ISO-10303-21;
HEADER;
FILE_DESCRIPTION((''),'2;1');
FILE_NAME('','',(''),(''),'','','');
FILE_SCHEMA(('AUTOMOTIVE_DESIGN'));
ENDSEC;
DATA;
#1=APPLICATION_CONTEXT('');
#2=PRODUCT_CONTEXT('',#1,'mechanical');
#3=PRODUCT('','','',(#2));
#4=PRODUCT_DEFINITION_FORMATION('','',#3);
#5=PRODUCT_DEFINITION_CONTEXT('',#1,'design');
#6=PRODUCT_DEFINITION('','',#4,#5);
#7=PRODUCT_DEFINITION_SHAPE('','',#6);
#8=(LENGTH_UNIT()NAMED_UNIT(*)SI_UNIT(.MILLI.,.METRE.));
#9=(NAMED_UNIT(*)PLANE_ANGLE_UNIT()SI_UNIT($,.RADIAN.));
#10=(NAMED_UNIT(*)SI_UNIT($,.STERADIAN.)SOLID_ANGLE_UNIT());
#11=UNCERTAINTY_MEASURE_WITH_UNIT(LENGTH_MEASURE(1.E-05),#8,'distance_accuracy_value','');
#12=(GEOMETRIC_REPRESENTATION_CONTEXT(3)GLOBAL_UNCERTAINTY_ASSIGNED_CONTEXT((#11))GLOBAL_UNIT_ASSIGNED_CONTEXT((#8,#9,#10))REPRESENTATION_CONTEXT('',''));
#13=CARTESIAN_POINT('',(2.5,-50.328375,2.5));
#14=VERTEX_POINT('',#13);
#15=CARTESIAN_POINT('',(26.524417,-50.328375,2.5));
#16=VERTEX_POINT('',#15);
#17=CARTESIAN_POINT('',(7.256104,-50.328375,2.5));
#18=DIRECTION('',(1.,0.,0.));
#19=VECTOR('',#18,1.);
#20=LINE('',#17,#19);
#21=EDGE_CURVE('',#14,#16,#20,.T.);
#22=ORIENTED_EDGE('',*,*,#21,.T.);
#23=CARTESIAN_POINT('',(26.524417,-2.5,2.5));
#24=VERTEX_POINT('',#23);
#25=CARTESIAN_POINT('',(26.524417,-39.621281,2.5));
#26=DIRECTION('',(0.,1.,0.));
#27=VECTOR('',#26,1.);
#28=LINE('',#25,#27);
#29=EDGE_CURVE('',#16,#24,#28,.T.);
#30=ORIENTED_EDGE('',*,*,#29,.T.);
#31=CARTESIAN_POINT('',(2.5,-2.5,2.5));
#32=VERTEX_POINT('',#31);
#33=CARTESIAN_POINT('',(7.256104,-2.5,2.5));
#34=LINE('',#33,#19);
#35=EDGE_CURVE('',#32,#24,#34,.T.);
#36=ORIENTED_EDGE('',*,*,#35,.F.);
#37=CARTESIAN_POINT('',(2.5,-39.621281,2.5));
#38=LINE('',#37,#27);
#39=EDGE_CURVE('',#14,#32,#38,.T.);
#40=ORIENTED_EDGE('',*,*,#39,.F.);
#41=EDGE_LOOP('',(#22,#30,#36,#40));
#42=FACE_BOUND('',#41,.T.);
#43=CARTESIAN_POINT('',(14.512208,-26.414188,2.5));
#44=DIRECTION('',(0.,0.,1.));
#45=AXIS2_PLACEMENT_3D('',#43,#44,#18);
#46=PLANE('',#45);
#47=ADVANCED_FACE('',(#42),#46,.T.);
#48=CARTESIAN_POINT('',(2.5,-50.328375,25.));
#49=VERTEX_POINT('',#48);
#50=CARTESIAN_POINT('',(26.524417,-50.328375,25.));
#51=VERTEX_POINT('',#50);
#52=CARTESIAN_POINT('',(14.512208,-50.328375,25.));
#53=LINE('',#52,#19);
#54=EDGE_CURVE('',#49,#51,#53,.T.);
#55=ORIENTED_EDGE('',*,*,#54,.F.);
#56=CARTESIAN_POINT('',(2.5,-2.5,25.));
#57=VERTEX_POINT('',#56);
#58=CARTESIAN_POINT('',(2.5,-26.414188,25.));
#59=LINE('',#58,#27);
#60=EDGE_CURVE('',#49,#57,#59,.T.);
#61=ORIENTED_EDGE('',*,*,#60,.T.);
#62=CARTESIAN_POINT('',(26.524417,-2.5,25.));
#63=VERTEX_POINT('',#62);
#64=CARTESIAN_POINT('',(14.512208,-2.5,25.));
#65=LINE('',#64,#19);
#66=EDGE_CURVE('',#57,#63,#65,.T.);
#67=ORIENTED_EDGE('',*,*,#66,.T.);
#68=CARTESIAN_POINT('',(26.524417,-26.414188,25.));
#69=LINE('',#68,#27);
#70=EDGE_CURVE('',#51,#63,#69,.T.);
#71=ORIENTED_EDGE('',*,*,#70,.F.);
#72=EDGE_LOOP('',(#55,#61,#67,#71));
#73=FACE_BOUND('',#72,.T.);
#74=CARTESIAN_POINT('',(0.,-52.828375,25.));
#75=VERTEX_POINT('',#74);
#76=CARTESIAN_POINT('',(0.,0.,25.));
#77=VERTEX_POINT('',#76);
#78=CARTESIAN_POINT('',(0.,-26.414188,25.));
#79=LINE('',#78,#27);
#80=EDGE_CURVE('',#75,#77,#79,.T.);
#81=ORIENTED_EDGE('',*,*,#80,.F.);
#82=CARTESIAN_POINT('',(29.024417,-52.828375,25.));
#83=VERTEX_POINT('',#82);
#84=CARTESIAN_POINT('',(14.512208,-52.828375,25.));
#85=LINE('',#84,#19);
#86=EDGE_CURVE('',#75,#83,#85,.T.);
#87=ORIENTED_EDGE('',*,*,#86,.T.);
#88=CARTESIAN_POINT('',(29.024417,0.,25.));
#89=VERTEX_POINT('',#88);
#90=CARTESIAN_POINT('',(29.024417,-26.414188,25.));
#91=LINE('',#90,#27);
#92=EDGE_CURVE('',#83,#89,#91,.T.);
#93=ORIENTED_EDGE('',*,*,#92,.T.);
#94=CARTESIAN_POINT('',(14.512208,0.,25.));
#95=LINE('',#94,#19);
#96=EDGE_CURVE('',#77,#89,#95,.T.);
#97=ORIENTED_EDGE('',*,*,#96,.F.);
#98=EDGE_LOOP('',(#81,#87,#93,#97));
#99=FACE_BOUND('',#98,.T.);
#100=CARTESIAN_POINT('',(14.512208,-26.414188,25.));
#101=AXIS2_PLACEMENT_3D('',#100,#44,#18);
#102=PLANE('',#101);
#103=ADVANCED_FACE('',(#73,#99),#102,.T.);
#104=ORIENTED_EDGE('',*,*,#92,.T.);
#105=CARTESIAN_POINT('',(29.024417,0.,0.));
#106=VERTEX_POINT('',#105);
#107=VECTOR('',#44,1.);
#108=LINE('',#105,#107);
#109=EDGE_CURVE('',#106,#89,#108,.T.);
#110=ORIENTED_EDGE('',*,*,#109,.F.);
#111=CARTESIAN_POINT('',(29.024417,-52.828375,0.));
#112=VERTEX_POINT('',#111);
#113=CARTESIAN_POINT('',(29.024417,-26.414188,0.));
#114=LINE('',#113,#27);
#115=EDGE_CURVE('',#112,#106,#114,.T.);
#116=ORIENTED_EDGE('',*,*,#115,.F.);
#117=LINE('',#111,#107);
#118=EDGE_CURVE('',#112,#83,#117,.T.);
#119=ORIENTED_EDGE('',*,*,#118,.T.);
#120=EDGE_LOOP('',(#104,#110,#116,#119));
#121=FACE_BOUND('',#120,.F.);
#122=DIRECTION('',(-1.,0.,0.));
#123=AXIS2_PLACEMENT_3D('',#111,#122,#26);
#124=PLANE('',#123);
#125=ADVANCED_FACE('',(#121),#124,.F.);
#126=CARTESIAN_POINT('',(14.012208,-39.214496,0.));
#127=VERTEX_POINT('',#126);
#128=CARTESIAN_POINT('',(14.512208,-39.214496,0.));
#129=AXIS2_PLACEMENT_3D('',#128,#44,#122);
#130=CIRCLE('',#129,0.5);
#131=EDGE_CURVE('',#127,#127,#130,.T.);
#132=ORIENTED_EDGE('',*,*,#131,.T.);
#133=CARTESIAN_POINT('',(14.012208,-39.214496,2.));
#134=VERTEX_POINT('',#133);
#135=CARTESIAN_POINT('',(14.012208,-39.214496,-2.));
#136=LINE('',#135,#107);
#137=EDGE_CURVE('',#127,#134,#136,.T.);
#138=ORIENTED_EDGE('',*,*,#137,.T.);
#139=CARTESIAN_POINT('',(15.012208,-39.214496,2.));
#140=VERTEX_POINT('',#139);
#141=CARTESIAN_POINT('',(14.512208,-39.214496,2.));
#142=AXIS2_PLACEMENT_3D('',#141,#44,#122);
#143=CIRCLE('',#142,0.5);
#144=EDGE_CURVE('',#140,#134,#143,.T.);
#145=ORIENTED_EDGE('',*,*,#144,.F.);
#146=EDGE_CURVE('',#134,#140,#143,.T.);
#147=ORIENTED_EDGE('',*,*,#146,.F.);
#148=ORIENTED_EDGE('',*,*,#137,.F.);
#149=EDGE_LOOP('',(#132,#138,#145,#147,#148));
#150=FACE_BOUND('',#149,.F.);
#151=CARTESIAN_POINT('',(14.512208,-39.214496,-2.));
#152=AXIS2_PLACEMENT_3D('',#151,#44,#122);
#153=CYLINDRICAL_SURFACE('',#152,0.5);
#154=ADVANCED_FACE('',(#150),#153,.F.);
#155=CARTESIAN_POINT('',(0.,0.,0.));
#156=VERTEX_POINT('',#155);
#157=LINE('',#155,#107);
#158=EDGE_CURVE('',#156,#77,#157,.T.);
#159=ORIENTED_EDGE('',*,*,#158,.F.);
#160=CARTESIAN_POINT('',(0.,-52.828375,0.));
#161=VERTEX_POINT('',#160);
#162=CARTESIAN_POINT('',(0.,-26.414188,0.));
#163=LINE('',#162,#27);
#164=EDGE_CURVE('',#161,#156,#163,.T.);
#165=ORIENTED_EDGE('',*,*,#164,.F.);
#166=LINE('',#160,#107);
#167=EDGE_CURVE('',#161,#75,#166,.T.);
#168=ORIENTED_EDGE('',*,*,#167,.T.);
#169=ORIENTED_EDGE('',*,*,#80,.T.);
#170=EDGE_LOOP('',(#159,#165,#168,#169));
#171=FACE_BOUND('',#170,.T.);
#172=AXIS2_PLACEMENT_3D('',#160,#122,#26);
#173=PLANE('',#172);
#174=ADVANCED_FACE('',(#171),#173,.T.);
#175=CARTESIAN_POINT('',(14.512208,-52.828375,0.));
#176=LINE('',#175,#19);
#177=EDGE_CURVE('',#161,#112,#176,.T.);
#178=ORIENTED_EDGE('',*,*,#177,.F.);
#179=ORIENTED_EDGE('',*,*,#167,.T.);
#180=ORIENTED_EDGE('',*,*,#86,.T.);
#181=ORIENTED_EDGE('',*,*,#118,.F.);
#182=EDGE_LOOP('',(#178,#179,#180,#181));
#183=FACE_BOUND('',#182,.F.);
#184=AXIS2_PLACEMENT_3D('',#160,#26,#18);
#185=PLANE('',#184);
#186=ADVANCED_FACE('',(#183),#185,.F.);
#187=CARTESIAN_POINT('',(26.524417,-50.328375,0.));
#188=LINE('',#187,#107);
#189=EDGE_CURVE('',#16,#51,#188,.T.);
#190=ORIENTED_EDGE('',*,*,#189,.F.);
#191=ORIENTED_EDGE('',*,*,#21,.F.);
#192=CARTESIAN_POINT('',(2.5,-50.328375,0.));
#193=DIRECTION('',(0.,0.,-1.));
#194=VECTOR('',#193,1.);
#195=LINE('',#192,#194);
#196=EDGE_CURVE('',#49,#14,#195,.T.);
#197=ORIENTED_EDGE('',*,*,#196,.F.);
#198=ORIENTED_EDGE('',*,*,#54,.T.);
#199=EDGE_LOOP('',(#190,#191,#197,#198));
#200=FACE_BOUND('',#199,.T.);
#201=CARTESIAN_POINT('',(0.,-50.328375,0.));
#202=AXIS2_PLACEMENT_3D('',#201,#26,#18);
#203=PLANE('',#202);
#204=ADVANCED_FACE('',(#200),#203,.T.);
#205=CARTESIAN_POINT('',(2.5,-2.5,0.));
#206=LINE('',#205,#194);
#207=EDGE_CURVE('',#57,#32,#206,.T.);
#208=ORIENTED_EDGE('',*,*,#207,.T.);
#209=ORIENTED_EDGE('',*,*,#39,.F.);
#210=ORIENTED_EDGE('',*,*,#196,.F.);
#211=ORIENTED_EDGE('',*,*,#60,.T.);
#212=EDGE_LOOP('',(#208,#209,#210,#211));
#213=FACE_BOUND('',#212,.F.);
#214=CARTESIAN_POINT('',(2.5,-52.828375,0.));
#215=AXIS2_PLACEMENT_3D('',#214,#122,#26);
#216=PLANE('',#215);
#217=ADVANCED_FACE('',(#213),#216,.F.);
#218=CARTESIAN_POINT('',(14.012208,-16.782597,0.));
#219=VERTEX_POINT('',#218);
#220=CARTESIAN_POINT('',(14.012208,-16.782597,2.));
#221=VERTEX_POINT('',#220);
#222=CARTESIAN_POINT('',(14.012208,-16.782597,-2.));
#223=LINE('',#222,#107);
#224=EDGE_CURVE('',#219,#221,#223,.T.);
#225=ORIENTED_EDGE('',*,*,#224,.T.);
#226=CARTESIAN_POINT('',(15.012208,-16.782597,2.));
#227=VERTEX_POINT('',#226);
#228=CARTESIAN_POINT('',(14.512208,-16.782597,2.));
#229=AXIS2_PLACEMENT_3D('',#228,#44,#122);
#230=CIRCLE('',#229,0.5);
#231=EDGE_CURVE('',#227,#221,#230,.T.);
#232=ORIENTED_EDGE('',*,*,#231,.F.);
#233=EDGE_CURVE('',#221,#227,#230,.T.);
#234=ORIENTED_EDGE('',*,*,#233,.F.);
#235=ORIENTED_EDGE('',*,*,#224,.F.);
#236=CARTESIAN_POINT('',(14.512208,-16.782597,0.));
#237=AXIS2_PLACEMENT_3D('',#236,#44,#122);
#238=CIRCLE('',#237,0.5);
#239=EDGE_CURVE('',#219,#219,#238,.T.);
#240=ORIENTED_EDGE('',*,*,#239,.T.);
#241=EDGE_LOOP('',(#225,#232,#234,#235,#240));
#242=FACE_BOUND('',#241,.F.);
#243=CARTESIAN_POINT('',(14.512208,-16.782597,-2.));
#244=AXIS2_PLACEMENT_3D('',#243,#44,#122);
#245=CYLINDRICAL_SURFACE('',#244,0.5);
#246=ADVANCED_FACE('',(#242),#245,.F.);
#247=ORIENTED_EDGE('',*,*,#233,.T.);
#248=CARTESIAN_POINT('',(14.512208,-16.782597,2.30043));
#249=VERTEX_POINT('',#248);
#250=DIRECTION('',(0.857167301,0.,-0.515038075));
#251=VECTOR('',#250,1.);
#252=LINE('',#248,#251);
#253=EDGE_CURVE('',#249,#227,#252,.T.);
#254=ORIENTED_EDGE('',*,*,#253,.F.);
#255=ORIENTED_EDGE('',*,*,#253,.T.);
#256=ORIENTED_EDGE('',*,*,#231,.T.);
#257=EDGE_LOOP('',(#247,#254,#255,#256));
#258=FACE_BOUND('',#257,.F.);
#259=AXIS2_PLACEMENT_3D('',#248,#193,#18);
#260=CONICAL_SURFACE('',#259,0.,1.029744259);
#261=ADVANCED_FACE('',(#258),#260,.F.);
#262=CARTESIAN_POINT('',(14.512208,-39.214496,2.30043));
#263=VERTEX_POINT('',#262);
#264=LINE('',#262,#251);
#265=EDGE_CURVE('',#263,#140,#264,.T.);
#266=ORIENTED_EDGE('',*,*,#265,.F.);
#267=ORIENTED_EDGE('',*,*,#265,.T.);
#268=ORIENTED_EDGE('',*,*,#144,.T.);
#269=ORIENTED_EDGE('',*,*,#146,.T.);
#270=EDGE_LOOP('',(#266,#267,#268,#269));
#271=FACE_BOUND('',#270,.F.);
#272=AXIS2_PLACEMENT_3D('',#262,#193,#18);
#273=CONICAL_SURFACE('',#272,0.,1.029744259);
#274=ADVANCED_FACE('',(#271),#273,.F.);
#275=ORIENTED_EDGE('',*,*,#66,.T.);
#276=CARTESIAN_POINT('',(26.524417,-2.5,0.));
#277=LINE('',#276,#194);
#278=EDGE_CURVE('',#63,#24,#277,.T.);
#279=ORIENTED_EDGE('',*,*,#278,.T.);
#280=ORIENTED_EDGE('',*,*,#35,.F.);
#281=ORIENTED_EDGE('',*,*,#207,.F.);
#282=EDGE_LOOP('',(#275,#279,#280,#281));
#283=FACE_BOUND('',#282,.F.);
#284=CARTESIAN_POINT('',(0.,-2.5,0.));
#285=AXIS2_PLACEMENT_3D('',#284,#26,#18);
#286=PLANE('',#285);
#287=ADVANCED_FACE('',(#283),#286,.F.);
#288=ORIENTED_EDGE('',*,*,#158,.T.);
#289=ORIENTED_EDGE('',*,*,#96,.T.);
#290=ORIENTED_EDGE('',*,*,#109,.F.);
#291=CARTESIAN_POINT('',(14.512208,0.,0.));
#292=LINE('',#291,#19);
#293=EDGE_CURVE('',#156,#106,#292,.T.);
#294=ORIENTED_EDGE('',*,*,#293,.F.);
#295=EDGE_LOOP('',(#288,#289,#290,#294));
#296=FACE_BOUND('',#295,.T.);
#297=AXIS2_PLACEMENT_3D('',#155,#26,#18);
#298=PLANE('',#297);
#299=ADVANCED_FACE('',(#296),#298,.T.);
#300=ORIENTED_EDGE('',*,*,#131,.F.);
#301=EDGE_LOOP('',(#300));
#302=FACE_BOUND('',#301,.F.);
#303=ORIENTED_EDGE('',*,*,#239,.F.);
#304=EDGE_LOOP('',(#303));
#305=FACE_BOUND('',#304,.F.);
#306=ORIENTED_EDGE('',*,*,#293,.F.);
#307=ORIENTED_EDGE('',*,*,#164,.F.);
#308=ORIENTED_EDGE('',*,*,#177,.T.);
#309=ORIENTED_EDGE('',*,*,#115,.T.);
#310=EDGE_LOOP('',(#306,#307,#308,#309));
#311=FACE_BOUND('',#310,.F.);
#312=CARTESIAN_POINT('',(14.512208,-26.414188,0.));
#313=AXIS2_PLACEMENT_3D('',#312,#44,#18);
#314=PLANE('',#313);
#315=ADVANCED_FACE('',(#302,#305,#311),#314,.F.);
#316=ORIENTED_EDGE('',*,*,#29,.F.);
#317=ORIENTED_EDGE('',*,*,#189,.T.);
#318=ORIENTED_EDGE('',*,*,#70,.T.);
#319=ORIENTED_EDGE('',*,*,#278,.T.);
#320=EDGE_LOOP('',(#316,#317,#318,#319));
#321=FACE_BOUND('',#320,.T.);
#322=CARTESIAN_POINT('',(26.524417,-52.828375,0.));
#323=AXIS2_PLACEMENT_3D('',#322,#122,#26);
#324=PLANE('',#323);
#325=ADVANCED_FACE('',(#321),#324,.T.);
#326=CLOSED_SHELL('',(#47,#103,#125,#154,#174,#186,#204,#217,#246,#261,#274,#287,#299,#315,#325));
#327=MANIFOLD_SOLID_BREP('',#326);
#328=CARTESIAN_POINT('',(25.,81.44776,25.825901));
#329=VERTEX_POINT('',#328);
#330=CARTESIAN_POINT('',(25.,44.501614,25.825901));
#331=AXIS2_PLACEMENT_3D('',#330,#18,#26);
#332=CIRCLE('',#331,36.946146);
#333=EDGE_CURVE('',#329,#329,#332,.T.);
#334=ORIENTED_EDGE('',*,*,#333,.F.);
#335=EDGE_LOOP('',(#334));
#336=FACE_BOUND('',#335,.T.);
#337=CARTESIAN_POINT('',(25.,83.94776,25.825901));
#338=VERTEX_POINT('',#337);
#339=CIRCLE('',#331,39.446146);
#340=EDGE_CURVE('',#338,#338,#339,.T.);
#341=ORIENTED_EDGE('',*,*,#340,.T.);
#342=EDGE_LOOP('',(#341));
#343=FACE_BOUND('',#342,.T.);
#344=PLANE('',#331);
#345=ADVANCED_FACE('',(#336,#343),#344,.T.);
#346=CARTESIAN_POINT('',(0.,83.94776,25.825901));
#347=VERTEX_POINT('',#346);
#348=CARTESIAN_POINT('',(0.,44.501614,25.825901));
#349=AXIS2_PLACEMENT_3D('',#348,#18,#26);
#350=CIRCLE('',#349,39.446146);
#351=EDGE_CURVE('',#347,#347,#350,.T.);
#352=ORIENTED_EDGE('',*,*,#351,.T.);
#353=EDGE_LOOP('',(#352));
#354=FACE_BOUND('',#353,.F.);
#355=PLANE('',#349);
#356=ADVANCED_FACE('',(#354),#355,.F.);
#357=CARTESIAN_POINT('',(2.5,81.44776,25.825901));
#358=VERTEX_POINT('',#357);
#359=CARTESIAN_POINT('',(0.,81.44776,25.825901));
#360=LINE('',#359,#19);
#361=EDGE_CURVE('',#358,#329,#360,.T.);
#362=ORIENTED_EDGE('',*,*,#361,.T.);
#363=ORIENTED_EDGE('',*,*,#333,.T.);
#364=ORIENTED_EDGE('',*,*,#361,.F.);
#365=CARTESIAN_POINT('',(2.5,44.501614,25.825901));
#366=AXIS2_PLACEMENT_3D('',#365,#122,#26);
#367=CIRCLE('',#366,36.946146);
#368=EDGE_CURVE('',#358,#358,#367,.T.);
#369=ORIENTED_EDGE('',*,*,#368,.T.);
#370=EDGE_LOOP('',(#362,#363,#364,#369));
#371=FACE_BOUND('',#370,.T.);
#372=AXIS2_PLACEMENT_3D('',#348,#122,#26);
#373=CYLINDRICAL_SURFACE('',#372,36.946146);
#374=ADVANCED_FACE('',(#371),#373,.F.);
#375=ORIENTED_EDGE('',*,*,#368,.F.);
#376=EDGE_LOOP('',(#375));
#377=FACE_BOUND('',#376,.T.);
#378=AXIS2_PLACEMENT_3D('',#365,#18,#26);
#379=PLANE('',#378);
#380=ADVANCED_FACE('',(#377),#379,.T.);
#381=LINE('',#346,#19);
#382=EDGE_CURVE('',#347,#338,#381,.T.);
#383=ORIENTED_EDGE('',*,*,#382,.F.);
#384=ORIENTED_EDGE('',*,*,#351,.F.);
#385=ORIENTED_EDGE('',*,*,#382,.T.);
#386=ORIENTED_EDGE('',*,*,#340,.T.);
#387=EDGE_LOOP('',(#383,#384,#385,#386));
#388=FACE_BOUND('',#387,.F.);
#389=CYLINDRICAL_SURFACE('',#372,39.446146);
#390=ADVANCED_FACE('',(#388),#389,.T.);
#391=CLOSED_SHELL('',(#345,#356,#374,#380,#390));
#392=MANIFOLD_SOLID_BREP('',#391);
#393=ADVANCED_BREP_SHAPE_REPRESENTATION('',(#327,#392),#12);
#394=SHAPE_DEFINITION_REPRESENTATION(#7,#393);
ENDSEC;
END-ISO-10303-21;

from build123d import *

# Parameters (mm, degrees)
F0_W     = 29.0244165808
F0_H     = 52.8283752501
F1_DEPTH = 25
F2_T     = -2.5
F3_D     = 1
F3_DEPTH = 2
F3_TIP   = 0.3004303095
F4_R     = 39.4461463806
F5_DEPTH = 25
F6_T     = -2.5


with BuildPart() as f1:
    # F0 (on Top) → F1 (new body)
    with BuildSketch(Plane.XY):
        with Locations((14.5122082904, -26.4141876251)):
            Rectangle(F0_W, F0_H)
    extrude(amount=F1_DEPTH)

    # F2
    f2_openings = [f1.faces().sort_by_distance(p)[0] for p in [
        (14.512208, -26.414188, 25),
    ]]
    offset(amount=F2_T, openings=f2_openings)

    # F3
    with Locations(Plane(origin=(0, 0, 0), x_dir=(1, 0, 0), z_dir=(0, 0, -1))):
        with Locations((14.5122082904, 16.7825967073), (14.5122082904, 39.2144955695)):
            Hole(F3_D / 2, depth=F3_DEPTH)
            with Locations((0, 0, -(F3_DEPTH + F3_TIP / 2))):  # 118° drill point
                Cone(0, F3_D / 2, F3_TIP, mode=Mode.SUBTRACT)


with BuildPart() as f5:
    # F4 (on Right) → F5 (new body)
    with BuildSketch(Plane.YZ):
        with Locations((44.5016138256, 25.825900957)):
            Circle(F4_R)
    extrude(amount=F5_DEPTH)

    # F6
    f6_openings = [f5.faces().sort_by_distance(p)[0] for p in [
        (25, 44.501614, 25.825901),
    ]]
    offset(amount=F6_T, openings=f6_openings)


solid = Compound([f1.part, f5.part])
